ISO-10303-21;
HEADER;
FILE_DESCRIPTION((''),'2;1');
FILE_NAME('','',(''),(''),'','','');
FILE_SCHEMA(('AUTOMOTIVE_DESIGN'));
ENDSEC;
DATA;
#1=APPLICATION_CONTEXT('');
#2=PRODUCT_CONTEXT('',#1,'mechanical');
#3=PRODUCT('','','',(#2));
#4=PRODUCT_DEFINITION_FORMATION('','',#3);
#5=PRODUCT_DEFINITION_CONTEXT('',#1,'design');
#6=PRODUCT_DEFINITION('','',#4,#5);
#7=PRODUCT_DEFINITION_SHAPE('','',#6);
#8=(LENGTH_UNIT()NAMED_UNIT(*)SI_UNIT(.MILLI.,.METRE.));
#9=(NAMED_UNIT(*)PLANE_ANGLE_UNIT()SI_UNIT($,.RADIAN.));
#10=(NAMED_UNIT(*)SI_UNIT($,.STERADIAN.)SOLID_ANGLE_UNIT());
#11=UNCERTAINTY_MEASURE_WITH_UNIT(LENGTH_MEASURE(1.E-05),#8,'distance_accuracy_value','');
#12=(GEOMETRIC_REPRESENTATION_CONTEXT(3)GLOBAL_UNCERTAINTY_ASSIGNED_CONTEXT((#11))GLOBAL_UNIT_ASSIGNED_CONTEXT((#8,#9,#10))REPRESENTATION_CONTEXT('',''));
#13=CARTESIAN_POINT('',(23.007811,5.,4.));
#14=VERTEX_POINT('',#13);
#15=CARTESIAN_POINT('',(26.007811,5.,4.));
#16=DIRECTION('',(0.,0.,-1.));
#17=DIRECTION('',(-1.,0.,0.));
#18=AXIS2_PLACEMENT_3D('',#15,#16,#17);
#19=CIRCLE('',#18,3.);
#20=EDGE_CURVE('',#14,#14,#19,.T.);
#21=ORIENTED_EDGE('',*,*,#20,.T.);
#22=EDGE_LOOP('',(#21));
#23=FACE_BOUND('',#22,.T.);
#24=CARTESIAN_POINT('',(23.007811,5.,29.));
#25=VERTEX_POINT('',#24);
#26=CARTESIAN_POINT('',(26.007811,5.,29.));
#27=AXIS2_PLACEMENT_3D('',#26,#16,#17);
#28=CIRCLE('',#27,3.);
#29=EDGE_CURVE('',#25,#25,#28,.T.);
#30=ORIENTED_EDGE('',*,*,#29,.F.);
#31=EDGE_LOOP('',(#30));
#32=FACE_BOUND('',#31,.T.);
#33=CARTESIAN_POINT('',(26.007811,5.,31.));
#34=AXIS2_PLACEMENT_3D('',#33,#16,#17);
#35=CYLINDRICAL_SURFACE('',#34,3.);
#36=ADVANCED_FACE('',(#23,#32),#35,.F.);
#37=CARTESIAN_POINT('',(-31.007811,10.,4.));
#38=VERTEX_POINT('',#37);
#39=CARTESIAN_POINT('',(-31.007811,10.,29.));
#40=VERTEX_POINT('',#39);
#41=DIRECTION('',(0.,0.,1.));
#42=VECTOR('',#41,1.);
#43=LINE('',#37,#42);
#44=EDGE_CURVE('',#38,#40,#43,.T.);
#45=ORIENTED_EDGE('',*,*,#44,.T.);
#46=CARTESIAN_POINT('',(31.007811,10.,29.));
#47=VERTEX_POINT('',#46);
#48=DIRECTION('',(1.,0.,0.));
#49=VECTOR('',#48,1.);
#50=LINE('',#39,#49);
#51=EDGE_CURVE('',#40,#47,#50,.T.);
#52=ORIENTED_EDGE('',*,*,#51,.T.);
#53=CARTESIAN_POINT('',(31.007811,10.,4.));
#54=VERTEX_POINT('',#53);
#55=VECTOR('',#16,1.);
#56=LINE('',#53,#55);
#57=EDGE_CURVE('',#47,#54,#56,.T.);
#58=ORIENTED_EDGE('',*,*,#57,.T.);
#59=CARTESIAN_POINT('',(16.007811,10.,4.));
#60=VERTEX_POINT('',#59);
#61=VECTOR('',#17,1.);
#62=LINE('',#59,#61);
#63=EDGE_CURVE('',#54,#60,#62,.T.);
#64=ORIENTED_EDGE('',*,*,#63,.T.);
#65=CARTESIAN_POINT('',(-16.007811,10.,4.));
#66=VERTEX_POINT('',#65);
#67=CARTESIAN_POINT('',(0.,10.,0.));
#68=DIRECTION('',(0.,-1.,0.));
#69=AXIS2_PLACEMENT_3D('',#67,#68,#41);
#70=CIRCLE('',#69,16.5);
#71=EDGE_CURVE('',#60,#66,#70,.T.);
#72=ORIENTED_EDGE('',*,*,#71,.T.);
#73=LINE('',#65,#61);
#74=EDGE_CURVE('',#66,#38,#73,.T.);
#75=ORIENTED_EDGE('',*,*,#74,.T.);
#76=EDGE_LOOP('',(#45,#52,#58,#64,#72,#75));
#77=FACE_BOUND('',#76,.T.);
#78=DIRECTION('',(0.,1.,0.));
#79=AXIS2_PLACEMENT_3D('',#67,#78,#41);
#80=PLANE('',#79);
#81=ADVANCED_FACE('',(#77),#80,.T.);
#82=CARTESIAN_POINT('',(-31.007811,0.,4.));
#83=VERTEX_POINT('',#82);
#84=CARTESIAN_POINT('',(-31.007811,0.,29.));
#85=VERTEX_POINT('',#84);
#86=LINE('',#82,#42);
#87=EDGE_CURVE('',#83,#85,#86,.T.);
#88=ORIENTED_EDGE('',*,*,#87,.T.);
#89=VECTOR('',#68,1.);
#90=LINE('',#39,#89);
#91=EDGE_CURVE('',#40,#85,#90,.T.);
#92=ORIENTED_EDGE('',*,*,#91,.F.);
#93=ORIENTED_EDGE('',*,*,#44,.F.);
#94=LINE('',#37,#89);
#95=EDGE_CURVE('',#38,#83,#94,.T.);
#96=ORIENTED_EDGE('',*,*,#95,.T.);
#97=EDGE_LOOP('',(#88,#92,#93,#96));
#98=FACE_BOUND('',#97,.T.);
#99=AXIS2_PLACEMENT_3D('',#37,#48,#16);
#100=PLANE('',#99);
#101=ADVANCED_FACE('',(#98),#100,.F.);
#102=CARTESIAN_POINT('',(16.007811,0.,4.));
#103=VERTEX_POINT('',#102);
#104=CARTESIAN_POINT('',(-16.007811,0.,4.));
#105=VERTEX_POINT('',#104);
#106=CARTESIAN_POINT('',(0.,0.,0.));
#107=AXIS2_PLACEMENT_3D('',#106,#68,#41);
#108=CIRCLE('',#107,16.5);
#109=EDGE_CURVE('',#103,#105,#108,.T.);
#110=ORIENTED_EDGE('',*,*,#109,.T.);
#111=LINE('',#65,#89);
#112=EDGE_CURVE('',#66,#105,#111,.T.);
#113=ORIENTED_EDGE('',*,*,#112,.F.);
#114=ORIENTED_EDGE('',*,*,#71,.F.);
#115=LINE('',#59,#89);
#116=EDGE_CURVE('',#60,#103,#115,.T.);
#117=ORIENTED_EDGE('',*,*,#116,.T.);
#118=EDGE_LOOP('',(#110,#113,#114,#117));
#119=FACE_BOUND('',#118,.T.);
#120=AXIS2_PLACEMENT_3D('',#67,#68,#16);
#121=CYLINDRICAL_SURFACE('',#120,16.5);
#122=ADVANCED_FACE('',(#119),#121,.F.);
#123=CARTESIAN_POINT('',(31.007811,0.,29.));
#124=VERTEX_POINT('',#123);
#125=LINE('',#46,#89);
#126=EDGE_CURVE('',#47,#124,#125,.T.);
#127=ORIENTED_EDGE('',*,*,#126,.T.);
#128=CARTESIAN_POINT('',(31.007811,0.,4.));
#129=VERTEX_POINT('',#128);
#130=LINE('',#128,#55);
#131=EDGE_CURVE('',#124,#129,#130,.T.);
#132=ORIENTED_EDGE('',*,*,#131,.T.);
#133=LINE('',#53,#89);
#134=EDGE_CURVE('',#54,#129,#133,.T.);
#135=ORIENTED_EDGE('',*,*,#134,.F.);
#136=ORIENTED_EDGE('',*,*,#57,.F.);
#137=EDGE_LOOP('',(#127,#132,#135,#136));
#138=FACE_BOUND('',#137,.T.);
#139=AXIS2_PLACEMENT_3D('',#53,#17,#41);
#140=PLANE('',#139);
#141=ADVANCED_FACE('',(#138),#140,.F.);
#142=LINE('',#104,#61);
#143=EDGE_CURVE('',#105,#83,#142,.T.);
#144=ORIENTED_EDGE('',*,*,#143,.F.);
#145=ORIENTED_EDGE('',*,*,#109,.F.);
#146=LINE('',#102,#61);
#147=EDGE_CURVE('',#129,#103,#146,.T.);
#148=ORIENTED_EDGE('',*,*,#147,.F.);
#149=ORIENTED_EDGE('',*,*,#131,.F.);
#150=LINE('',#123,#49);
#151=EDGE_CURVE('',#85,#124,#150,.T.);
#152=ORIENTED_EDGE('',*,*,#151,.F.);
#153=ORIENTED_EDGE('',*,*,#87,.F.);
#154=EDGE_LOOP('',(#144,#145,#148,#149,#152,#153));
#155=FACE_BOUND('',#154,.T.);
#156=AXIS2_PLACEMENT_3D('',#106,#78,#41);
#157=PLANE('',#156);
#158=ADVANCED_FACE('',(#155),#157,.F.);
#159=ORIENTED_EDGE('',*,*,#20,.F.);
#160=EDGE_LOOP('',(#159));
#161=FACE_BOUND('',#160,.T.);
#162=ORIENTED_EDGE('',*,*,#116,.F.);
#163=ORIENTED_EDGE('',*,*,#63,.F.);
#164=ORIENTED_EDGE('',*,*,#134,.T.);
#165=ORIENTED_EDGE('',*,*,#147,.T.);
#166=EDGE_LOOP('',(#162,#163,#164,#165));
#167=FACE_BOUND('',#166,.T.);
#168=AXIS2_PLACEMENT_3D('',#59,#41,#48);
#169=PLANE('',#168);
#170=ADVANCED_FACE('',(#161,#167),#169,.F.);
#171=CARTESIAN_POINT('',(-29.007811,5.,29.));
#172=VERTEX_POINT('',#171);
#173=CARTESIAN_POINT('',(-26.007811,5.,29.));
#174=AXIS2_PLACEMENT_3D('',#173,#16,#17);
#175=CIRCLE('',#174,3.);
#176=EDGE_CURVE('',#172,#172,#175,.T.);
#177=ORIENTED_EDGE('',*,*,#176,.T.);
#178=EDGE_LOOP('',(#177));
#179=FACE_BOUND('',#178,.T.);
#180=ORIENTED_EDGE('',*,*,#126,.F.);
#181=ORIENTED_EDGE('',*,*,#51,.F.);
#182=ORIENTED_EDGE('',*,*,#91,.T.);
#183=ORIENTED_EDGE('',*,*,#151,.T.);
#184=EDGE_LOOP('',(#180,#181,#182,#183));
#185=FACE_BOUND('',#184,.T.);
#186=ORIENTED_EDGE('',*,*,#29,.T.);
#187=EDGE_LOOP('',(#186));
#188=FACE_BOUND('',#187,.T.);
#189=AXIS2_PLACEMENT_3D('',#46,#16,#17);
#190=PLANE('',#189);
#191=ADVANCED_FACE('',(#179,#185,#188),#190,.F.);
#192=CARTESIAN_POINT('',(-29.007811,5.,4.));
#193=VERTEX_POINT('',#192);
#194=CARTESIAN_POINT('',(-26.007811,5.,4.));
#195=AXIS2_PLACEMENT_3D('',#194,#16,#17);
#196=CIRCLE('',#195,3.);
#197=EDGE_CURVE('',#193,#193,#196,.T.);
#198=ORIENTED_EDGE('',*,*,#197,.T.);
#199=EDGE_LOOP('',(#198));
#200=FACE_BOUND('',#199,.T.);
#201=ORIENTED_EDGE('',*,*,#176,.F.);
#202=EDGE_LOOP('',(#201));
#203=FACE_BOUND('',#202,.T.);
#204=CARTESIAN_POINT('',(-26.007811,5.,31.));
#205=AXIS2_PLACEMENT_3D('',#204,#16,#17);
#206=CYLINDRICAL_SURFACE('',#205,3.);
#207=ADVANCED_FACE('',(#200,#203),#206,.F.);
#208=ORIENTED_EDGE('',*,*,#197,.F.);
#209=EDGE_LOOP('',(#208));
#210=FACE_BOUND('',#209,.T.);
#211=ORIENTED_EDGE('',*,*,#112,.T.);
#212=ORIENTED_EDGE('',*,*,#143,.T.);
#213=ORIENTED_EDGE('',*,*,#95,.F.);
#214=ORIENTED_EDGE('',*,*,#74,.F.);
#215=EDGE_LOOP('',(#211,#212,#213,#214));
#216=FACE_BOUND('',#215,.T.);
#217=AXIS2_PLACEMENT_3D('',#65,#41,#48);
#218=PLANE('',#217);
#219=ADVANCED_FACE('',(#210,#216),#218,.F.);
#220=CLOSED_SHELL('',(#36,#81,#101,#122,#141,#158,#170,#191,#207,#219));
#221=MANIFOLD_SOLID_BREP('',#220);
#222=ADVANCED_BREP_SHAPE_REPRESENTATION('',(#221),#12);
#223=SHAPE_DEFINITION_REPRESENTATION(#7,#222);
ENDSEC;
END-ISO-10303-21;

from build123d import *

# Parameters (mm, degrees)
BOSS_EXTRUDE1_DEPTH = 10
SKETCH2_R           = 3
CUT_EXTRUDE1_DEPTH  = 27


with BuildPart() as part:
    # Sketch1 → Boss-Extrude1 (new body)
    with BuildSketch(Plane(origin=(0, 0, 0), x_dir=(1, 0, 0), z_dir=(0, 1, 0))):
        with BuildLine():
            Line((-16.007810594, -4), (-31.007810594, -4))
            Line((-31.007810594, -4), (-31.007810594, -29))
            Line((-31.007810594, -29), (-22, -29))
            Line((-22, -29), (22, -29))
            Line((22, -29), (31.007810594, -29))
            Line((31.007810594, -29), (31.007810594, -4))
            Line((31.007810594, -4), (16.007810594, -4))
            ThreePointArc((16.007810594, -4), (0, -16.5), (-16.007810594, -4))
        make_face()
    extrude(amount=BOSS_EXTRUDE1_DEPTH)

    # Sketch2 → Cut-Extrude1 (cut)
    with BuildSketch(Plane(origin=(0, 0, 4), x_dir=(-1, 0, 0), z_dir=(0, 0, -1))):
        with Locations((-26.007810594, 5)):
            Circle(SKETCH2_R)
        with Locations((26.007810594, 5)):
            Circle(SKETCH2_R)
    extrude(amount=-CUT_EXTRUDE1_DEPTH, mode=Mode.SUBTRACT)


solid = part.part
